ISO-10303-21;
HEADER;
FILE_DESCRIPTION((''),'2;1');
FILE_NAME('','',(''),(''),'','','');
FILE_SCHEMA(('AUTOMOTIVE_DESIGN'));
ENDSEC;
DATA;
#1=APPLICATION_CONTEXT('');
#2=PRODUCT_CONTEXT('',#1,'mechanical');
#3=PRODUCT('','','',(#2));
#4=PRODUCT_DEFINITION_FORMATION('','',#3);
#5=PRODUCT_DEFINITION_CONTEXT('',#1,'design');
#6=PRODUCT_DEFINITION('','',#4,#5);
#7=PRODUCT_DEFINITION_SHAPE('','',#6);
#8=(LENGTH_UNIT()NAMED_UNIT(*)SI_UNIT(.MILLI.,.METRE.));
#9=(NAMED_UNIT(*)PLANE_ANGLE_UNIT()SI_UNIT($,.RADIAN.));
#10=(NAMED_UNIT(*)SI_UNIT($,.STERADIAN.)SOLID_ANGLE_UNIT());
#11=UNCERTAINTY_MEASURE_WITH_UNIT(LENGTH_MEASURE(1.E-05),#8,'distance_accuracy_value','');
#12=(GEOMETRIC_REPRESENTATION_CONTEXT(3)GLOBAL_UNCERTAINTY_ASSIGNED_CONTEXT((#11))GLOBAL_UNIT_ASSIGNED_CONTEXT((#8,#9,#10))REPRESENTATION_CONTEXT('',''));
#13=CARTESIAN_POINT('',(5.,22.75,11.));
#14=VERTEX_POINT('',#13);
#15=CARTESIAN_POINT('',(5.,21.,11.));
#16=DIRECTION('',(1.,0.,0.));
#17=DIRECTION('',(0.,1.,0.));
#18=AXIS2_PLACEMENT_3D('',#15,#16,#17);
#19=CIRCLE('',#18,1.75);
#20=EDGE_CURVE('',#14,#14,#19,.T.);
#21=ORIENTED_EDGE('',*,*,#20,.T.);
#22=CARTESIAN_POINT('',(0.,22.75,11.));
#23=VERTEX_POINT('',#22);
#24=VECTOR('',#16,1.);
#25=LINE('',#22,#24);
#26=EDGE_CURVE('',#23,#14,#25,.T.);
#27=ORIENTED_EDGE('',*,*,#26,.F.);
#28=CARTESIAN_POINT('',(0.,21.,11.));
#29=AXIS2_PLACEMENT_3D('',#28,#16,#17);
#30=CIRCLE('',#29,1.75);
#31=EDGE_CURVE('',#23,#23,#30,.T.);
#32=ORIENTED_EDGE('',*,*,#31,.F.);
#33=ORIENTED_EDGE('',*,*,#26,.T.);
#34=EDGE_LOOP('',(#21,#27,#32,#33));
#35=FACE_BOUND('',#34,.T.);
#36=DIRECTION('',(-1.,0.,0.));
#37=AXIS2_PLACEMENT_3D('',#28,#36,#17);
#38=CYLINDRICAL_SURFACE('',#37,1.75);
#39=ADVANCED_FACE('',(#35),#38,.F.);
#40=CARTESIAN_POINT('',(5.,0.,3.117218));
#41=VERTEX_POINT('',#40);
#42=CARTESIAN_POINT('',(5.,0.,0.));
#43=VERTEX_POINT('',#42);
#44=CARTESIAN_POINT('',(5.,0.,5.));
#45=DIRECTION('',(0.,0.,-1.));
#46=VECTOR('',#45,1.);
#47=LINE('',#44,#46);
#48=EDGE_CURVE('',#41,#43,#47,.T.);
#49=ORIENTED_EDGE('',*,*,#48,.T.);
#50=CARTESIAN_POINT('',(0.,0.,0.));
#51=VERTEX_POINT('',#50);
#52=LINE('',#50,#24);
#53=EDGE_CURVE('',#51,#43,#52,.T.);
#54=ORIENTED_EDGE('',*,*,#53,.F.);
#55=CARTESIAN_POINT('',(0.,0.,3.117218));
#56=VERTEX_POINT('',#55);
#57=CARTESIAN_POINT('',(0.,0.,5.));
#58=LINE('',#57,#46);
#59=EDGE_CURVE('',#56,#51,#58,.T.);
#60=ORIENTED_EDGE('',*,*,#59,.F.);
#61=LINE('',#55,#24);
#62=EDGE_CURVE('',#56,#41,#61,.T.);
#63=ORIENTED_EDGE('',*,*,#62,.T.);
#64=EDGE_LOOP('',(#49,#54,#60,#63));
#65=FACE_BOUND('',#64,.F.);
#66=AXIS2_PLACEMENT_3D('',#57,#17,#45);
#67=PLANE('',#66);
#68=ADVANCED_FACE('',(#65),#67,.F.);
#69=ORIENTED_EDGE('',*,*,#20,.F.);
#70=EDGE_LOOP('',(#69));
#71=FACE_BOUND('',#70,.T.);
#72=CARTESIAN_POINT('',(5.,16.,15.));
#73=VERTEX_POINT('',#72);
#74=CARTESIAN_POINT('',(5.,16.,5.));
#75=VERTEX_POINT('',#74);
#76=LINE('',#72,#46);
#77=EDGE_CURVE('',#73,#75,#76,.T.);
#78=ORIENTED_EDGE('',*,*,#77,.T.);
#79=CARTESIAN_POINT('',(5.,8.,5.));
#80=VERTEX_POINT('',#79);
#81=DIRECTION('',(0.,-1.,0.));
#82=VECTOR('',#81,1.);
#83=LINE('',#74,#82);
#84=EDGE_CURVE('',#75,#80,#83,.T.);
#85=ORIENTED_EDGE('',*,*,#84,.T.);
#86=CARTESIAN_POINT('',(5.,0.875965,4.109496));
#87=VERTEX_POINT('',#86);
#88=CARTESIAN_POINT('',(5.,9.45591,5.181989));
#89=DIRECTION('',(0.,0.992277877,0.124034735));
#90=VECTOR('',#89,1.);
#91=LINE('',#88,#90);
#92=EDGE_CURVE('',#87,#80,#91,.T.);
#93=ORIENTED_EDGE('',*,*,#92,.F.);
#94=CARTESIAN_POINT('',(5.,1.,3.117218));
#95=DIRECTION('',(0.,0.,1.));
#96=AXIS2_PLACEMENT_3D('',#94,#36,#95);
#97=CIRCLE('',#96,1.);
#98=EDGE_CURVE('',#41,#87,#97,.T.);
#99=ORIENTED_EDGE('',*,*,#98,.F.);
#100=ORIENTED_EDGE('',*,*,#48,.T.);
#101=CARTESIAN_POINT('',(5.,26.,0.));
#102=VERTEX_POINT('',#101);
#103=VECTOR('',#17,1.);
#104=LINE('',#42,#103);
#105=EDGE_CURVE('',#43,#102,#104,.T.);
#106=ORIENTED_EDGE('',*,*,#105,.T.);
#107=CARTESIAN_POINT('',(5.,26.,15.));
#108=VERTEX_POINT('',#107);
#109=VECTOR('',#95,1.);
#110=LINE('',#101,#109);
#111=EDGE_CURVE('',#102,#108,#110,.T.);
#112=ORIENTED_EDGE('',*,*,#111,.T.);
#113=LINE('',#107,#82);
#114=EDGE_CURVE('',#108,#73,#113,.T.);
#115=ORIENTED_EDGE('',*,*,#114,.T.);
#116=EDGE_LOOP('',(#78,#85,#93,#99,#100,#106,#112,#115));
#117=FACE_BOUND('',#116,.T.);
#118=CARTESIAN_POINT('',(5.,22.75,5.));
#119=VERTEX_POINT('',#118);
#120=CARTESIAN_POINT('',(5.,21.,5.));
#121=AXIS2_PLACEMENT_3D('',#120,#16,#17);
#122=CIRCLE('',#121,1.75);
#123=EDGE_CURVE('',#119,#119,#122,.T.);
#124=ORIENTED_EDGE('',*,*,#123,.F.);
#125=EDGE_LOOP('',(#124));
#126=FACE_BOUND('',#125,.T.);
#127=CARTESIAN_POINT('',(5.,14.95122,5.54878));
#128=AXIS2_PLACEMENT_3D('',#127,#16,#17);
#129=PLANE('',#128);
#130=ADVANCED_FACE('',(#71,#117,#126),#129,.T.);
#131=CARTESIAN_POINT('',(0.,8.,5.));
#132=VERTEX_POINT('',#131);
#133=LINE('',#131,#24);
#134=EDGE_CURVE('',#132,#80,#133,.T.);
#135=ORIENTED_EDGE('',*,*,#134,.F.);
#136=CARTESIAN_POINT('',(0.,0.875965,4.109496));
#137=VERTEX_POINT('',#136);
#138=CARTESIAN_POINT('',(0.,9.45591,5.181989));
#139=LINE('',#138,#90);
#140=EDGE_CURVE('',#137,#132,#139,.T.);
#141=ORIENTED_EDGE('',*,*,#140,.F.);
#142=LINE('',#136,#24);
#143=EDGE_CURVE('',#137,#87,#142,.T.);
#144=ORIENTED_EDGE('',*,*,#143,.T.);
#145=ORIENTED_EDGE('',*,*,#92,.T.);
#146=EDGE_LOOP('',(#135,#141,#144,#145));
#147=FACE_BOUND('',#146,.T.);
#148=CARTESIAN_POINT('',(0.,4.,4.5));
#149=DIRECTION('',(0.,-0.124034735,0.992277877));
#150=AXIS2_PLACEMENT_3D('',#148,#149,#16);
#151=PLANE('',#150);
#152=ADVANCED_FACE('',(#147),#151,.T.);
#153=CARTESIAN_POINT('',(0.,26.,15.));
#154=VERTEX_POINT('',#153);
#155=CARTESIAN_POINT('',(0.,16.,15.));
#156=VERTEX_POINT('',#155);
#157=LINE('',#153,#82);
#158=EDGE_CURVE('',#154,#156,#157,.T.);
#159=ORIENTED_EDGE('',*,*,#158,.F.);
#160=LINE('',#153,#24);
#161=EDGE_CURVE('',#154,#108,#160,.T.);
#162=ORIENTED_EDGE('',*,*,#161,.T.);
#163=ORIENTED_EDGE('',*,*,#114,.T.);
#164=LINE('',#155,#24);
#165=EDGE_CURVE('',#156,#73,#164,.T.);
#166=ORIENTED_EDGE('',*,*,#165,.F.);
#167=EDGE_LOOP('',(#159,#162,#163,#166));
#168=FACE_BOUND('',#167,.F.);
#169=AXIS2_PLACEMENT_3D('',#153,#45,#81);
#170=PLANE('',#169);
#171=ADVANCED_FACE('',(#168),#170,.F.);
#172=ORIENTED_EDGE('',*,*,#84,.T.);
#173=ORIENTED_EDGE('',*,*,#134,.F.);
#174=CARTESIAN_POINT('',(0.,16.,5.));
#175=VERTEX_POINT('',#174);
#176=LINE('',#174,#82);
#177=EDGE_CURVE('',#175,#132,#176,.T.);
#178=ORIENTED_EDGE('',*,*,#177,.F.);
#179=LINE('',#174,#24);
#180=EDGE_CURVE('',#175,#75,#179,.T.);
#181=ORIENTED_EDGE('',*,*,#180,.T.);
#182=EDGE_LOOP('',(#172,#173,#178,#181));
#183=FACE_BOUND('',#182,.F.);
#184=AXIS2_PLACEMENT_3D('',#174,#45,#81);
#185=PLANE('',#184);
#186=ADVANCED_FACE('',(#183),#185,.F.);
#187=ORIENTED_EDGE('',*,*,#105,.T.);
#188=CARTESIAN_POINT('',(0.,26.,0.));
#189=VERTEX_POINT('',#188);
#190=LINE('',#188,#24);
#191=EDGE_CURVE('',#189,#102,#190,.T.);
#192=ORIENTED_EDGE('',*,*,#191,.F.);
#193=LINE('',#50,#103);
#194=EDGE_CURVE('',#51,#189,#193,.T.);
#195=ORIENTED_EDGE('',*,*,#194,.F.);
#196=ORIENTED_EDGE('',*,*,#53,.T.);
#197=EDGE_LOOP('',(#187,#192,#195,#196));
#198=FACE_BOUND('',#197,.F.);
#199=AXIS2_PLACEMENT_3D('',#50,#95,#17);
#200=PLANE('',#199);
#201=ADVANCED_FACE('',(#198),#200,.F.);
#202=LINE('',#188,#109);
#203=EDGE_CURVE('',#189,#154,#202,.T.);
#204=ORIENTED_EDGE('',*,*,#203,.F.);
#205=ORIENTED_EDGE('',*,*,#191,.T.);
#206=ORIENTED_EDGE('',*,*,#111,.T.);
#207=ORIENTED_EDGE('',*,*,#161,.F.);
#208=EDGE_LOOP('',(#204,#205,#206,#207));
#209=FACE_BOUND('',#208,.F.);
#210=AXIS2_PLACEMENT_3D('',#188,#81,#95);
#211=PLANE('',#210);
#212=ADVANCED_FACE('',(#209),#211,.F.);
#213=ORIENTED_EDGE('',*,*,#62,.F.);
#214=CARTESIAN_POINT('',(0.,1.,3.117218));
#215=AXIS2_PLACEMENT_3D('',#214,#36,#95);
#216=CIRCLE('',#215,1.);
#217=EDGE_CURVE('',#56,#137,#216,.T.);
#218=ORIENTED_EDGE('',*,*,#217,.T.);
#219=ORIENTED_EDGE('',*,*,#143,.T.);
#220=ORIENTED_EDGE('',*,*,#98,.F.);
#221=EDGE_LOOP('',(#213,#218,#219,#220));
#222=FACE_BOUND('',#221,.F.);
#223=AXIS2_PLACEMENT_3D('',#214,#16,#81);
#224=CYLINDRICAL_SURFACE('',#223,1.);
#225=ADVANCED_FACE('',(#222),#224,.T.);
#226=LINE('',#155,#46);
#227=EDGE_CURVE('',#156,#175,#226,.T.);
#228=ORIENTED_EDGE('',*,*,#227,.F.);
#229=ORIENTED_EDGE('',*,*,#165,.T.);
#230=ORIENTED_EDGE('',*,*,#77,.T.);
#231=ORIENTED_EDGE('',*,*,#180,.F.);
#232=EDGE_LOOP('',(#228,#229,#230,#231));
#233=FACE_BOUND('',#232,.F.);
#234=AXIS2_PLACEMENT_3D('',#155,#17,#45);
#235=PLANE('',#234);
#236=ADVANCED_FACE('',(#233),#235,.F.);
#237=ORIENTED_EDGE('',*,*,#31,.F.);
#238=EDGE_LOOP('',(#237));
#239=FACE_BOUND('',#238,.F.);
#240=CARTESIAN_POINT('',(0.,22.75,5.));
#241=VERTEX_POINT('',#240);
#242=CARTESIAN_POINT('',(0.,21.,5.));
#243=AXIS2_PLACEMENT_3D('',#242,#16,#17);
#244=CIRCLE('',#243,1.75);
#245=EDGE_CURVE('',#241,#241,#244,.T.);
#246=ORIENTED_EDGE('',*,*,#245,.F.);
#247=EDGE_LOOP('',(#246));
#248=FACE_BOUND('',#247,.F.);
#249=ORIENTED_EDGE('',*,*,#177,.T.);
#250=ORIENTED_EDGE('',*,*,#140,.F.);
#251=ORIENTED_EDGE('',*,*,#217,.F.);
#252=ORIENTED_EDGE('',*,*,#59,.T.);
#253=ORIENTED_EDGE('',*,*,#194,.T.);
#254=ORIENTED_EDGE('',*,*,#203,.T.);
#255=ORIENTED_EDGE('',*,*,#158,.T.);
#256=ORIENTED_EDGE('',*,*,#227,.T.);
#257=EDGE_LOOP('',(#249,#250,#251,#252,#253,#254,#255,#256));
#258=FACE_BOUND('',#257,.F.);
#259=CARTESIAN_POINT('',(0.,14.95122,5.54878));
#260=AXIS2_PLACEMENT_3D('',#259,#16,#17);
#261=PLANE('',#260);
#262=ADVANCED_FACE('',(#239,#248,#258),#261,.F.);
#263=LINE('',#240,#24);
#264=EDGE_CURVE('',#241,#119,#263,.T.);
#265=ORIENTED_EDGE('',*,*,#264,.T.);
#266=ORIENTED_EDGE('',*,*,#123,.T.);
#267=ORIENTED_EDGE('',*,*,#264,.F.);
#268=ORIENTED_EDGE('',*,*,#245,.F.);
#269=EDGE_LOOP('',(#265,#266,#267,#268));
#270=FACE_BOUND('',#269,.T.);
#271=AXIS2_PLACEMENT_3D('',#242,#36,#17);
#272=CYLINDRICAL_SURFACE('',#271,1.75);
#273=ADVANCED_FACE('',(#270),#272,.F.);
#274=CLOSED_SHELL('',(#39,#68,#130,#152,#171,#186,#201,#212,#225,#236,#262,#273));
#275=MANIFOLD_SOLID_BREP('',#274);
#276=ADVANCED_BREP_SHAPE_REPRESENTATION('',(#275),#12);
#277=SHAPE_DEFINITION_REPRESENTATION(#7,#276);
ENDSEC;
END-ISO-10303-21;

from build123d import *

# Parameters (mm, degrees)
F0_R     = 1.75
F1_DEPTH = 5
F2_SIZE2 = 8
F2_SIZE  = 1
F3_R     = 1


with BuildPart() as f1:
    # F0 (on Right) → F1 (new body)
    with BuildSketch(Plane.YZ):
        Polygon((0, 5), (0, 0), (26, 0), (26, 15), (16, 15), (16, 5), align=None)
        with Locations((21, 5)):
            Circle(F0_R, mode=Mode.SUBTRACT)
        with Locations((21, 11)):
            Circle(F0_R, mode=Mode.SUBTRACT)
    extrude(amount=F1_DEPTH)

    # F2
    f2_edges = [f1.edges().sort_by_distance(p)[0] for p in [
        (2.5, 0, 5),
    ]]
    f2_side = f1.faces().sort_by_distance((2.5, 0, 2.5))[0]
    chamfer(f2_edges, length=F2_SIZE, length2=F2_SIZE2, reference=f2_side)

    # F3
    f3_edges = [f1.edges().sort_by_distance(p)[0] for p in [
        (2.5, 0, 4),
    ]]
    fillet(f3_edges, radius=F3_R)


solid = f1.part
